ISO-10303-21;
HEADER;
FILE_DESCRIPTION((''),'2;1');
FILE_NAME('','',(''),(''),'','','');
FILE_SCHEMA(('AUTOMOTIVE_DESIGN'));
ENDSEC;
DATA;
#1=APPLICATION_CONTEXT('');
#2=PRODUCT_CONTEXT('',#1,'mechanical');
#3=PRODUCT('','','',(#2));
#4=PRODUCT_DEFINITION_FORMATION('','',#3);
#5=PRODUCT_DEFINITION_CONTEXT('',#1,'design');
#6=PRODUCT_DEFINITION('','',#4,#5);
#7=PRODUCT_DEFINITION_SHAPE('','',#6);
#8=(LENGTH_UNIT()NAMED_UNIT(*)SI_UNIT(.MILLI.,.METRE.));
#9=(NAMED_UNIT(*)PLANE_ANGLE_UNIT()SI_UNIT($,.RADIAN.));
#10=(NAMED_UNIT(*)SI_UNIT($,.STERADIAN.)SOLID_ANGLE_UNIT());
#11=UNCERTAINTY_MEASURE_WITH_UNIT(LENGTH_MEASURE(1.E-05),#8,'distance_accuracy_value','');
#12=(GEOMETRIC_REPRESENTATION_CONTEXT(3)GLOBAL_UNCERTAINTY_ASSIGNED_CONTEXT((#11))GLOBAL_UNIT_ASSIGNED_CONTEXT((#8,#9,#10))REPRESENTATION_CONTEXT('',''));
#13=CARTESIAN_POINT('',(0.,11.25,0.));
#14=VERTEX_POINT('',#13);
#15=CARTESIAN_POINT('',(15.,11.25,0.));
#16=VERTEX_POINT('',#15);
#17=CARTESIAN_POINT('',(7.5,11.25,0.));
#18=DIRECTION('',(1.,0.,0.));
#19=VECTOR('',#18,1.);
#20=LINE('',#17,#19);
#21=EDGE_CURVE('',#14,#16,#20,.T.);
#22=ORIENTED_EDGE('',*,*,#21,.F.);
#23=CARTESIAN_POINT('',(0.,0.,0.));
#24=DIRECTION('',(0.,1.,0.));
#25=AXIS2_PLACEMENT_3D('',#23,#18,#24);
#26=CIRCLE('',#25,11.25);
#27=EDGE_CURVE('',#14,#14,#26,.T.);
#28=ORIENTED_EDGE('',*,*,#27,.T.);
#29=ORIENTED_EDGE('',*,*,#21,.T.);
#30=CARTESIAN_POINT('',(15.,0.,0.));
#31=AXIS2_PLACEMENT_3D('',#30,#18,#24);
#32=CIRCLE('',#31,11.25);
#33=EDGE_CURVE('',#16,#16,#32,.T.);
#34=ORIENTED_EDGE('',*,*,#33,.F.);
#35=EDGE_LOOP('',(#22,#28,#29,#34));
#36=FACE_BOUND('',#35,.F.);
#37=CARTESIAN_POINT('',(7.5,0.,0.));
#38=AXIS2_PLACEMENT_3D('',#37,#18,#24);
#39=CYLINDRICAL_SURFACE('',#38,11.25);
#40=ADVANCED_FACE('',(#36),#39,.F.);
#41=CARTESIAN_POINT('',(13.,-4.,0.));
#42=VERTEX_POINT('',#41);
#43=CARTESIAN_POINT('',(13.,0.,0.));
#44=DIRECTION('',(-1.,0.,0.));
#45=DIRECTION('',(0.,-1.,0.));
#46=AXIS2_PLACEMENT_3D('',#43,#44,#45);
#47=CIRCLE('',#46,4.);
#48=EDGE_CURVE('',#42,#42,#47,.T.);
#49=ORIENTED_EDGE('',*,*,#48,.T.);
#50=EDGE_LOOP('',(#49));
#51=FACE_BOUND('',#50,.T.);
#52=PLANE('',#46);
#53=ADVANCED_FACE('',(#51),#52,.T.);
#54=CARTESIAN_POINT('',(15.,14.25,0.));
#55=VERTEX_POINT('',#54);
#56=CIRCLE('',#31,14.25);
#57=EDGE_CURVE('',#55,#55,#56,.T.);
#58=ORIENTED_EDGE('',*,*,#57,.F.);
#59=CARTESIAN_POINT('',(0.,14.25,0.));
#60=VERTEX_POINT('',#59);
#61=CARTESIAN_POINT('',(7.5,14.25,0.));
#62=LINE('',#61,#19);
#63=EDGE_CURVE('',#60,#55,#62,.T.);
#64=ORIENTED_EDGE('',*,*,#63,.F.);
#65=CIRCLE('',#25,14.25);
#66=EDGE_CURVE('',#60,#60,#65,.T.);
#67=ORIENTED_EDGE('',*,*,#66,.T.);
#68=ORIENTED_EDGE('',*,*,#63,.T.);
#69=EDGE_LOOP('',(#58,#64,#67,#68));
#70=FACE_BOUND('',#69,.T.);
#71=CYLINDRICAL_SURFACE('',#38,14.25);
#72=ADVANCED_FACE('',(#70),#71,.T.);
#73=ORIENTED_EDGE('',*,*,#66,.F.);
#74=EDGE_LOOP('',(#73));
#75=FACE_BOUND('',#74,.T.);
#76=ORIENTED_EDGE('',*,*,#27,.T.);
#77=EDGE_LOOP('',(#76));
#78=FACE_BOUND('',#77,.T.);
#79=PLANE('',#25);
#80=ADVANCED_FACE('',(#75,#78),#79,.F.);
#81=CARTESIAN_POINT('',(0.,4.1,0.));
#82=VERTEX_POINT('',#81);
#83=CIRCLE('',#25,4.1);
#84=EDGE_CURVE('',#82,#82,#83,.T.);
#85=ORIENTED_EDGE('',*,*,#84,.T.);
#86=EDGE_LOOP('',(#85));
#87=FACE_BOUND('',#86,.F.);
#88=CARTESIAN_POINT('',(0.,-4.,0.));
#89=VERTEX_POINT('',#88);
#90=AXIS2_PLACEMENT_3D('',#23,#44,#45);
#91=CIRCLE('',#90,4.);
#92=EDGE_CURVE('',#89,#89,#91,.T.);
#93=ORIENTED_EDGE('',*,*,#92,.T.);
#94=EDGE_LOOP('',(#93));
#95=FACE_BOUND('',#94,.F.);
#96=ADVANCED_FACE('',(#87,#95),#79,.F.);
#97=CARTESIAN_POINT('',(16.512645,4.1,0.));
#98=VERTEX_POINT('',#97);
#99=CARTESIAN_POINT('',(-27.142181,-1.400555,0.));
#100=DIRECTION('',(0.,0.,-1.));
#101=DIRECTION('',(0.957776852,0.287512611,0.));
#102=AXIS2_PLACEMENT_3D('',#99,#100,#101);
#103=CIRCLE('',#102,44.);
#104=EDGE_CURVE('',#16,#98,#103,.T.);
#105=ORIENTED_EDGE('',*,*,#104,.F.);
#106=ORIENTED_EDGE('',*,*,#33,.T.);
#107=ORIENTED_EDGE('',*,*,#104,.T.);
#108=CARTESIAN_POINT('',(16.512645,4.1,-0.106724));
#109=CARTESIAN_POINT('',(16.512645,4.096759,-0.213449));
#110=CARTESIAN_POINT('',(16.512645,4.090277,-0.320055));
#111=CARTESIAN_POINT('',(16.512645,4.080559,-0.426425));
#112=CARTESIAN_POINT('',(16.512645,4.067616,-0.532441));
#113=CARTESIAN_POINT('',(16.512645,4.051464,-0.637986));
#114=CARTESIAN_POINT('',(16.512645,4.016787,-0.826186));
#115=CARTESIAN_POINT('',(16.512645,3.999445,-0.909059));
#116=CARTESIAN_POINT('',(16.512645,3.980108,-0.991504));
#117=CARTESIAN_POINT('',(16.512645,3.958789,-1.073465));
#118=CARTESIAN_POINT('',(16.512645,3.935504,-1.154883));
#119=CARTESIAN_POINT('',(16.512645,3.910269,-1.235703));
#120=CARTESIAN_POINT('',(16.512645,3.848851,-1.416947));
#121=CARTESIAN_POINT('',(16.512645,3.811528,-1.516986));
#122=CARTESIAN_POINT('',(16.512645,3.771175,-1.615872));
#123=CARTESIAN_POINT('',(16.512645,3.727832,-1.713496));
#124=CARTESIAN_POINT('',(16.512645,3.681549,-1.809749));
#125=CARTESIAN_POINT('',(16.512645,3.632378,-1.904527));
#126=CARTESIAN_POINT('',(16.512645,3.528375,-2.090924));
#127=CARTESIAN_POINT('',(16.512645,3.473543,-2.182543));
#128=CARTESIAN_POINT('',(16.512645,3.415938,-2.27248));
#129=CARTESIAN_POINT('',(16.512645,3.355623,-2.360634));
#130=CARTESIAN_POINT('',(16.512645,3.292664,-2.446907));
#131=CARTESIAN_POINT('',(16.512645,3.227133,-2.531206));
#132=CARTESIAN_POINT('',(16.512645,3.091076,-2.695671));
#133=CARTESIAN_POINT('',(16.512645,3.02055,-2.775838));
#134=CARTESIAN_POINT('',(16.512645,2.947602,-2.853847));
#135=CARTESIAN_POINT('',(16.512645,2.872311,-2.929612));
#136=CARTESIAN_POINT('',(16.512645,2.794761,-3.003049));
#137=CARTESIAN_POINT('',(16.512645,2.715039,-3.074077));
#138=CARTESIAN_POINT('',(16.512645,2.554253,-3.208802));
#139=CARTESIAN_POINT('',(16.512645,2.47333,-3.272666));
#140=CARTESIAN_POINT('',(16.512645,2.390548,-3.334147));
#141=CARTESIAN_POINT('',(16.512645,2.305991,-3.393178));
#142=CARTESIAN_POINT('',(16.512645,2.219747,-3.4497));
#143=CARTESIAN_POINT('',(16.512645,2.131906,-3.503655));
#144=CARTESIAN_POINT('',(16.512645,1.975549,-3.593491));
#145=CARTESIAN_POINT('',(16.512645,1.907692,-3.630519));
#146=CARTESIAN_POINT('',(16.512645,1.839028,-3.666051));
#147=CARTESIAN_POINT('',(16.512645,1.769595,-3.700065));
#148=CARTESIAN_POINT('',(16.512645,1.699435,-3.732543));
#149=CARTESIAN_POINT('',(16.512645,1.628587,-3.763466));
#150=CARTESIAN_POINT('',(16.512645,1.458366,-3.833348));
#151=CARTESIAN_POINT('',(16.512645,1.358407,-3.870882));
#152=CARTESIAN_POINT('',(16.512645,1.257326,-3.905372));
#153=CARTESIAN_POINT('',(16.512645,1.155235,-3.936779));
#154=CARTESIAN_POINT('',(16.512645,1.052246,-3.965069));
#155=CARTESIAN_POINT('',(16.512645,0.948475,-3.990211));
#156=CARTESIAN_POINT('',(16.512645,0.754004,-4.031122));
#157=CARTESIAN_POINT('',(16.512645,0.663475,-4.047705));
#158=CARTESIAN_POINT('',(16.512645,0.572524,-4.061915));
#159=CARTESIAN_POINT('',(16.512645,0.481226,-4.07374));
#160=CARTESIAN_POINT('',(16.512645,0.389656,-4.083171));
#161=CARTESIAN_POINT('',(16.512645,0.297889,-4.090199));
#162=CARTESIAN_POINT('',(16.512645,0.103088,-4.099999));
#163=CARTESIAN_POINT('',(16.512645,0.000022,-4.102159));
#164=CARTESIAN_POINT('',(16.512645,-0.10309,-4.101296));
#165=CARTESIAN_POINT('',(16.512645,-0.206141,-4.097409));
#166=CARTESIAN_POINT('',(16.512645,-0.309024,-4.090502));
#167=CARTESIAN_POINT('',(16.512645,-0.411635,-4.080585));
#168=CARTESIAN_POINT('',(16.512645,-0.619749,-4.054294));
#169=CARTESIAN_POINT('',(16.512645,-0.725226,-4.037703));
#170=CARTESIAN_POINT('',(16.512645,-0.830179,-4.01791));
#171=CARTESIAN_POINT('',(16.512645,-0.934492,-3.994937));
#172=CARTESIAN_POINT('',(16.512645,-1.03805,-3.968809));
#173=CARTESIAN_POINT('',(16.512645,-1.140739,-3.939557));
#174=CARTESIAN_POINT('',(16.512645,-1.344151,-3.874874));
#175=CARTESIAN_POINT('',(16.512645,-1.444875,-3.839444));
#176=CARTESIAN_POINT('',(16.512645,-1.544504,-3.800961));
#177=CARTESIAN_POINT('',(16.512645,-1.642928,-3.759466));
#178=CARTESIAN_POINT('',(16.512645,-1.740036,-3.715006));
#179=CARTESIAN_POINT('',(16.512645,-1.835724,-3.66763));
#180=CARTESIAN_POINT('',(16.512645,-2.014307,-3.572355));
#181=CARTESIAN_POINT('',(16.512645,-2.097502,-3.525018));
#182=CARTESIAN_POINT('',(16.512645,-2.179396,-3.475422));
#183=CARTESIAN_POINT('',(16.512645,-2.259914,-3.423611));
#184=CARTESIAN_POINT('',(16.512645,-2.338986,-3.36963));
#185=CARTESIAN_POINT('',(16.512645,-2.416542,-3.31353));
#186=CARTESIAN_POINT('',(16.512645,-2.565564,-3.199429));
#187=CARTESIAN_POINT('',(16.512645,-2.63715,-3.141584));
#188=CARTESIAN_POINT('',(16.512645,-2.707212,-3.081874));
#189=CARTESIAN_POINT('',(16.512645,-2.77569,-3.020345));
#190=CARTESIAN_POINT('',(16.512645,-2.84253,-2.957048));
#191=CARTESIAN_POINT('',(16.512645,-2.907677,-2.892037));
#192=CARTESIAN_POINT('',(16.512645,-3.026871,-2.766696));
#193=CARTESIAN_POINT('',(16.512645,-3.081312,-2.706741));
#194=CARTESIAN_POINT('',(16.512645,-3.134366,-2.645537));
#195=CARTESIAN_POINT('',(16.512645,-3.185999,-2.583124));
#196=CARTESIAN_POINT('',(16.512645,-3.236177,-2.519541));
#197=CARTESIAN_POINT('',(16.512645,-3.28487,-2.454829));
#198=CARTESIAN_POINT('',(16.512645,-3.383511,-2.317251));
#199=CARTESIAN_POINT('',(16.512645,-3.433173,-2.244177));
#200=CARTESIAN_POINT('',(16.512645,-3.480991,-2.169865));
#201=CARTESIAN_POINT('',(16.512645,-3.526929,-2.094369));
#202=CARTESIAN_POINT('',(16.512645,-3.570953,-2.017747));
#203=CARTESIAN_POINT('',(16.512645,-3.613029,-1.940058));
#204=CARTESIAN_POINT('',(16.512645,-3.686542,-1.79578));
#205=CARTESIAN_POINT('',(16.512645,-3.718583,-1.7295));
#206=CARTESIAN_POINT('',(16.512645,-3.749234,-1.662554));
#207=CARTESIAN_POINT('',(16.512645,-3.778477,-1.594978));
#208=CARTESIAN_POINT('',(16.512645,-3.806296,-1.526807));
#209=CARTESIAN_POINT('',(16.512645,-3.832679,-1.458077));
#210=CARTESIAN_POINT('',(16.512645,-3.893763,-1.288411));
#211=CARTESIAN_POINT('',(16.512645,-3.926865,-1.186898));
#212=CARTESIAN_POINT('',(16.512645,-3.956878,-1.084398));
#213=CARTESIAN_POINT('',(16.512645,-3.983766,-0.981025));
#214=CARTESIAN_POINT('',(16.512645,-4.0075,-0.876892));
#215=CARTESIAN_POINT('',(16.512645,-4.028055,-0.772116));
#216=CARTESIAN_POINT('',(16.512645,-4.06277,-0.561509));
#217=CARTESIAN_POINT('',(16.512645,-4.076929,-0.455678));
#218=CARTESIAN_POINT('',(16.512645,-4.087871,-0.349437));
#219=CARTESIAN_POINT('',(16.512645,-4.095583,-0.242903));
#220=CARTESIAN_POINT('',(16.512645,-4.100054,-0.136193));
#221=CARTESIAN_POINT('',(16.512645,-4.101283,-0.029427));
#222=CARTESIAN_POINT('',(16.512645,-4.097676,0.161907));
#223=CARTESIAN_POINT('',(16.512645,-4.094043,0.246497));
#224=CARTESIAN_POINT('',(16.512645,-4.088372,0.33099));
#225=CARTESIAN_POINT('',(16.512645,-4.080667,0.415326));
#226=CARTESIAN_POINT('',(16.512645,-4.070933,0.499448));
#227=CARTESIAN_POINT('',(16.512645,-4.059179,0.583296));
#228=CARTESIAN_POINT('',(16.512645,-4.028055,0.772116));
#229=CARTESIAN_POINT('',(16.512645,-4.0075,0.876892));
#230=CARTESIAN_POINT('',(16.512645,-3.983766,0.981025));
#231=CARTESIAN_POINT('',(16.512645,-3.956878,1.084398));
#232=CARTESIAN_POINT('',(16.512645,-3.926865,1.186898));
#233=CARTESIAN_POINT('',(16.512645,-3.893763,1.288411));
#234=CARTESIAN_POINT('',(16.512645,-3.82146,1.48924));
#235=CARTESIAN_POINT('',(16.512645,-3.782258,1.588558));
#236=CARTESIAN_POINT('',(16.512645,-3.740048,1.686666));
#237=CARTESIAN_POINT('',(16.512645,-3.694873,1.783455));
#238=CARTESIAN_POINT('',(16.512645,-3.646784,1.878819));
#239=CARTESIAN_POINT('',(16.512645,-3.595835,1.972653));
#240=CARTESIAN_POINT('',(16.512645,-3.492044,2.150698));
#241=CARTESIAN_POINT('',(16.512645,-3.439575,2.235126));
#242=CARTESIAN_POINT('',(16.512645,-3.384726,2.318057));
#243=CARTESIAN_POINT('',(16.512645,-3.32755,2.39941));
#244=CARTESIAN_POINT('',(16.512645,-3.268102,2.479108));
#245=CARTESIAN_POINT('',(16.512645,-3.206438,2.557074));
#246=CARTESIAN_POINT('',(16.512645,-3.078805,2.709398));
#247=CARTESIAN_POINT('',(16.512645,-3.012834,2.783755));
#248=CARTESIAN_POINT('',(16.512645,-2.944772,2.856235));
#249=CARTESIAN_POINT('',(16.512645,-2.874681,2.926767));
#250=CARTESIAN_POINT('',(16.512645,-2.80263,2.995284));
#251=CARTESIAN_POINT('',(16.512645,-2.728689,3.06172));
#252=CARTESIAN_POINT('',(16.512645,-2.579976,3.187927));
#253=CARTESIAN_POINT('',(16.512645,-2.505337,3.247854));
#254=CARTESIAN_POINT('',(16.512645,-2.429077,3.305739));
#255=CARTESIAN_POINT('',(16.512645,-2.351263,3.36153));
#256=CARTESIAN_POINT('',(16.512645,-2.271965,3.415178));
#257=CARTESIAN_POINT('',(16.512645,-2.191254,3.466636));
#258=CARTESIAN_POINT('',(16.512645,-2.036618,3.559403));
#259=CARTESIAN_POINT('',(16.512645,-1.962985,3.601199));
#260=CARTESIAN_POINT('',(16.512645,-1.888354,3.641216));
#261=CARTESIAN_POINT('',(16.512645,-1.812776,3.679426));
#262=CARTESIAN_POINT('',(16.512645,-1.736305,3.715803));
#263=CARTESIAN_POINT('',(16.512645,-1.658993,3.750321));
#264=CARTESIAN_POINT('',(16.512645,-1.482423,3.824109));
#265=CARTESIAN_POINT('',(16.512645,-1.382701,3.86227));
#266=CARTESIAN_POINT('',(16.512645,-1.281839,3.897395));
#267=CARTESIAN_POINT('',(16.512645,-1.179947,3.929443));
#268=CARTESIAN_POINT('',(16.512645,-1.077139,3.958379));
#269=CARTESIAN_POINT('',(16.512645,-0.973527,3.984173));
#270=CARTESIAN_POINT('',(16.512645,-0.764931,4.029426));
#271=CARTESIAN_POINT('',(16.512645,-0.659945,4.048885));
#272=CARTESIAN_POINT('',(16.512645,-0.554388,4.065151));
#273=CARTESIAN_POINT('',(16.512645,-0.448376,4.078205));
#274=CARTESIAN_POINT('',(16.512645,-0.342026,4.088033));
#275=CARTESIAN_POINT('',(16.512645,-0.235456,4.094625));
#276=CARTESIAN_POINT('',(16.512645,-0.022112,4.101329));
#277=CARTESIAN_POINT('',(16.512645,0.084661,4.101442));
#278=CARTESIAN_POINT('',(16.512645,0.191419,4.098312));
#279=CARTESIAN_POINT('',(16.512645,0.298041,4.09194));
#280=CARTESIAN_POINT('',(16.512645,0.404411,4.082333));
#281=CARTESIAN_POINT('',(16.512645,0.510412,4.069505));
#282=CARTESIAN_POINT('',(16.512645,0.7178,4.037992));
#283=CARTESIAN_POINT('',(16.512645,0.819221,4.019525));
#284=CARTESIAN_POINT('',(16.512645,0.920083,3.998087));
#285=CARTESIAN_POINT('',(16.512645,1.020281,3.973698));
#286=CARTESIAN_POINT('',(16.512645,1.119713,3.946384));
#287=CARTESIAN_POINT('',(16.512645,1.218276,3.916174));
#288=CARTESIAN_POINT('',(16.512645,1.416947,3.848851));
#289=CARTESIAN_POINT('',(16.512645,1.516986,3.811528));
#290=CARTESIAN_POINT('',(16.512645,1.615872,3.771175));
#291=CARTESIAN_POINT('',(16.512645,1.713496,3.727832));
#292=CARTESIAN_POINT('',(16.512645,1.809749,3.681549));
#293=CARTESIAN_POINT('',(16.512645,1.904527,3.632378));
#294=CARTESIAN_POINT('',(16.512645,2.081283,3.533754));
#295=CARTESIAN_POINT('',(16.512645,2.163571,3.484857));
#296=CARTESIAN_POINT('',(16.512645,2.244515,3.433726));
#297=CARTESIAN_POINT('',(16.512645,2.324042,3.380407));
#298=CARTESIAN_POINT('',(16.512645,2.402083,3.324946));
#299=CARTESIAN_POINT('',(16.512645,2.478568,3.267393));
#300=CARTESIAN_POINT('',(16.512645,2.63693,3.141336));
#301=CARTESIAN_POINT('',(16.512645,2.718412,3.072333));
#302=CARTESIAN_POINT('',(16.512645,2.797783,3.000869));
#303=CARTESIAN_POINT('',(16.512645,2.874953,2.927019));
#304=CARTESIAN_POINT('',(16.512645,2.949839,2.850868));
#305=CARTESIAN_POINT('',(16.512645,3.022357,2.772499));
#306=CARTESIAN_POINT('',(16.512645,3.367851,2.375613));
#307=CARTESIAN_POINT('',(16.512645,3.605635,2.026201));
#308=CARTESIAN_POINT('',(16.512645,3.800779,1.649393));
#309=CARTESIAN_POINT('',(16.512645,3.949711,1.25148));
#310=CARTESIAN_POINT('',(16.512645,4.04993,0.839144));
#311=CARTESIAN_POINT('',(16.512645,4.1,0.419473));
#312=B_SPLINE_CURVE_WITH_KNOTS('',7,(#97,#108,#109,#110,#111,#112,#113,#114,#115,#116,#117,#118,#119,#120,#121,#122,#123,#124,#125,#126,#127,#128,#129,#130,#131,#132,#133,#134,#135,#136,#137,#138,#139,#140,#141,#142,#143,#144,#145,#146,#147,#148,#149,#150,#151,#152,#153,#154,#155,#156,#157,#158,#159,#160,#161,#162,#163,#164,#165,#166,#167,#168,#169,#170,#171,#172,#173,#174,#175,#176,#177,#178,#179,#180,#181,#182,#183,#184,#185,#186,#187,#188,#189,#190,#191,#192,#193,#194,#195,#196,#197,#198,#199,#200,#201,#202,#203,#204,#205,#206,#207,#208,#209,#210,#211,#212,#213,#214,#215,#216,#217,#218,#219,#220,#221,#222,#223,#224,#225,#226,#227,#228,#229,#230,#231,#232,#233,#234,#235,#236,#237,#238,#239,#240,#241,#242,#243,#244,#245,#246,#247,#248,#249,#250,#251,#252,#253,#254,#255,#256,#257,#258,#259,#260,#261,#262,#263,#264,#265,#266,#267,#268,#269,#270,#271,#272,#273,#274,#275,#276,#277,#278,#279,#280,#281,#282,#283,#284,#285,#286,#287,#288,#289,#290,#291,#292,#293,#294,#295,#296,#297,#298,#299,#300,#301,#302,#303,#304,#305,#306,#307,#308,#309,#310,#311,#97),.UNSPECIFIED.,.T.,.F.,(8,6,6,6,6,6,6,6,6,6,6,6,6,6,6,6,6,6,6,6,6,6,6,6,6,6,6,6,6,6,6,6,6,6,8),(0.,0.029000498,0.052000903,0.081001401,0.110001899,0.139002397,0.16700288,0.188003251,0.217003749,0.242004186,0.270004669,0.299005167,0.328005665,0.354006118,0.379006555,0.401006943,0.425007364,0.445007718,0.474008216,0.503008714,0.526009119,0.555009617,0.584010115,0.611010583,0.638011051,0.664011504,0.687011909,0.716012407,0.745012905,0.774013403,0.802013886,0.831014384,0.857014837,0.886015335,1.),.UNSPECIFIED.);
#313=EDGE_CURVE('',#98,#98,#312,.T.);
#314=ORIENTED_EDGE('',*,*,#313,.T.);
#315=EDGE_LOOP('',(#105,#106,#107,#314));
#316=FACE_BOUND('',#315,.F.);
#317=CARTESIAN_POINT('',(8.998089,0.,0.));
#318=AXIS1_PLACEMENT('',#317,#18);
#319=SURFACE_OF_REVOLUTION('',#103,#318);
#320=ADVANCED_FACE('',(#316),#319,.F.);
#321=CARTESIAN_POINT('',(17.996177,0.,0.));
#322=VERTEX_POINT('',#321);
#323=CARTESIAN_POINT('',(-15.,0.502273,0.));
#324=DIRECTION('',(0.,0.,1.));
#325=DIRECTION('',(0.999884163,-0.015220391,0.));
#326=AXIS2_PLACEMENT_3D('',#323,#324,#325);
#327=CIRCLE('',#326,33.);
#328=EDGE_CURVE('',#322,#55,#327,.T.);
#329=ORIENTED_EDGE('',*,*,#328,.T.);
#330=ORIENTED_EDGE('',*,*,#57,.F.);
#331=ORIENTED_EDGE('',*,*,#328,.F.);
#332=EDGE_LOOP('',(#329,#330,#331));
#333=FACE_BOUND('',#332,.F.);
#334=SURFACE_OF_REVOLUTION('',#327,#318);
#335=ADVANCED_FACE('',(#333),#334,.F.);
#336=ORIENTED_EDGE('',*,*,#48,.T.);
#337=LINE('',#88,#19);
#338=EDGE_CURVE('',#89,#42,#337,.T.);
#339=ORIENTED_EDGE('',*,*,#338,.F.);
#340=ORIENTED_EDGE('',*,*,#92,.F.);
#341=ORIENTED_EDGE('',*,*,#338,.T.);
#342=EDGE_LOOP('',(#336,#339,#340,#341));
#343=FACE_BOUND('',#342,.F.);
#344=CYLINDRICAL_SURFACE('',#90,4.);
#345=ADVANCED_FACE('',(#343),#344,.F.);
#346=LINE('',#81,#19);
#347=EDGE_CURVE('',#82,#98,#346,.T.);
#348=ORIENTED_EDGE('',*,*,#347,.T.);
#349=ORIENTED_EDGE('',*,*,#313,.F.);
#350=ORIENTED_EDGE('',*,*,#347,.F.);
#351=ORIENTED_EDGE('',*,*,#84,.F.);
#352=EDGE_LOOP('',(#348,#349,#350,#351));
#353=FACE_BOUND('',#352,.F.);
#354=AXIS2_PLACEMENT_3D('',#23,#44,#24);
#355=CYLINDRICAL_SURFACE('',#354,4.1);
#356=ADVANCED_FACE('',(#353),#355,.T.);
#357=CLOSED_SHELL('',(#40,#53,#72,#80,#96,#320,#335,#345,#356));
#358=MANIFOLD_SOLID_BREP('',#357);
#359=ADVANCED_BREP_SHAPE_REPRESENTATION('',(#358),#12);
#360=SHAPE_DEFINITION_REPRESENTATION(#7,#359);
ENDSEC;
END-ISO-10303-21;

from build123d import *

# Parameters (mm, degrees)
F0_W     = 15
F0_H     = 3
F2_R     = 4.1
F4_R     = 4
F5_DEPTH = 13


with BuildPart() as f1:
    # F0 (on Top) → F1 (revolve)
    with BuildSketch(Plane.XY):
        with BuildLine():
            Line((15, 14.25), (15, 11.25))
            ThreePointArc((15, 11.25), (16.2836091475, 5.6846908501), (16.8355224703, 0))
            Line((16.8355224703, 0), (17.9961773834, 0))
            ThreePointArc((17.9961773834, 0), (17.2938882179, 7.2923232661), (15, 14.25))
        make_face()
        with Locations((7.5, 12.75)):
            Rectangle(F0_W, F0_H)
    revolve(axis=Axis((8.9980886917, 0, 0), (1, 0, 0)))

    # F2 (on Right) → F3 (join, up to the next surface of F1)
    with BuildSketch(Plane.YZ):
        Circle(F2_R)
    extrude(until=Until.NEXT)

    # F4 (on face) → F5 (cut)
    with BuildSketch(Plane(origin=(0, 0, 0), x_dir=(0, -1, 0), z_dir=(-1, 0, 0))):
        Circle(F4_R)
    extrude(amount=-F5_DEPTH, mode=Mode.SUBTRACT)


solid = f1.part
